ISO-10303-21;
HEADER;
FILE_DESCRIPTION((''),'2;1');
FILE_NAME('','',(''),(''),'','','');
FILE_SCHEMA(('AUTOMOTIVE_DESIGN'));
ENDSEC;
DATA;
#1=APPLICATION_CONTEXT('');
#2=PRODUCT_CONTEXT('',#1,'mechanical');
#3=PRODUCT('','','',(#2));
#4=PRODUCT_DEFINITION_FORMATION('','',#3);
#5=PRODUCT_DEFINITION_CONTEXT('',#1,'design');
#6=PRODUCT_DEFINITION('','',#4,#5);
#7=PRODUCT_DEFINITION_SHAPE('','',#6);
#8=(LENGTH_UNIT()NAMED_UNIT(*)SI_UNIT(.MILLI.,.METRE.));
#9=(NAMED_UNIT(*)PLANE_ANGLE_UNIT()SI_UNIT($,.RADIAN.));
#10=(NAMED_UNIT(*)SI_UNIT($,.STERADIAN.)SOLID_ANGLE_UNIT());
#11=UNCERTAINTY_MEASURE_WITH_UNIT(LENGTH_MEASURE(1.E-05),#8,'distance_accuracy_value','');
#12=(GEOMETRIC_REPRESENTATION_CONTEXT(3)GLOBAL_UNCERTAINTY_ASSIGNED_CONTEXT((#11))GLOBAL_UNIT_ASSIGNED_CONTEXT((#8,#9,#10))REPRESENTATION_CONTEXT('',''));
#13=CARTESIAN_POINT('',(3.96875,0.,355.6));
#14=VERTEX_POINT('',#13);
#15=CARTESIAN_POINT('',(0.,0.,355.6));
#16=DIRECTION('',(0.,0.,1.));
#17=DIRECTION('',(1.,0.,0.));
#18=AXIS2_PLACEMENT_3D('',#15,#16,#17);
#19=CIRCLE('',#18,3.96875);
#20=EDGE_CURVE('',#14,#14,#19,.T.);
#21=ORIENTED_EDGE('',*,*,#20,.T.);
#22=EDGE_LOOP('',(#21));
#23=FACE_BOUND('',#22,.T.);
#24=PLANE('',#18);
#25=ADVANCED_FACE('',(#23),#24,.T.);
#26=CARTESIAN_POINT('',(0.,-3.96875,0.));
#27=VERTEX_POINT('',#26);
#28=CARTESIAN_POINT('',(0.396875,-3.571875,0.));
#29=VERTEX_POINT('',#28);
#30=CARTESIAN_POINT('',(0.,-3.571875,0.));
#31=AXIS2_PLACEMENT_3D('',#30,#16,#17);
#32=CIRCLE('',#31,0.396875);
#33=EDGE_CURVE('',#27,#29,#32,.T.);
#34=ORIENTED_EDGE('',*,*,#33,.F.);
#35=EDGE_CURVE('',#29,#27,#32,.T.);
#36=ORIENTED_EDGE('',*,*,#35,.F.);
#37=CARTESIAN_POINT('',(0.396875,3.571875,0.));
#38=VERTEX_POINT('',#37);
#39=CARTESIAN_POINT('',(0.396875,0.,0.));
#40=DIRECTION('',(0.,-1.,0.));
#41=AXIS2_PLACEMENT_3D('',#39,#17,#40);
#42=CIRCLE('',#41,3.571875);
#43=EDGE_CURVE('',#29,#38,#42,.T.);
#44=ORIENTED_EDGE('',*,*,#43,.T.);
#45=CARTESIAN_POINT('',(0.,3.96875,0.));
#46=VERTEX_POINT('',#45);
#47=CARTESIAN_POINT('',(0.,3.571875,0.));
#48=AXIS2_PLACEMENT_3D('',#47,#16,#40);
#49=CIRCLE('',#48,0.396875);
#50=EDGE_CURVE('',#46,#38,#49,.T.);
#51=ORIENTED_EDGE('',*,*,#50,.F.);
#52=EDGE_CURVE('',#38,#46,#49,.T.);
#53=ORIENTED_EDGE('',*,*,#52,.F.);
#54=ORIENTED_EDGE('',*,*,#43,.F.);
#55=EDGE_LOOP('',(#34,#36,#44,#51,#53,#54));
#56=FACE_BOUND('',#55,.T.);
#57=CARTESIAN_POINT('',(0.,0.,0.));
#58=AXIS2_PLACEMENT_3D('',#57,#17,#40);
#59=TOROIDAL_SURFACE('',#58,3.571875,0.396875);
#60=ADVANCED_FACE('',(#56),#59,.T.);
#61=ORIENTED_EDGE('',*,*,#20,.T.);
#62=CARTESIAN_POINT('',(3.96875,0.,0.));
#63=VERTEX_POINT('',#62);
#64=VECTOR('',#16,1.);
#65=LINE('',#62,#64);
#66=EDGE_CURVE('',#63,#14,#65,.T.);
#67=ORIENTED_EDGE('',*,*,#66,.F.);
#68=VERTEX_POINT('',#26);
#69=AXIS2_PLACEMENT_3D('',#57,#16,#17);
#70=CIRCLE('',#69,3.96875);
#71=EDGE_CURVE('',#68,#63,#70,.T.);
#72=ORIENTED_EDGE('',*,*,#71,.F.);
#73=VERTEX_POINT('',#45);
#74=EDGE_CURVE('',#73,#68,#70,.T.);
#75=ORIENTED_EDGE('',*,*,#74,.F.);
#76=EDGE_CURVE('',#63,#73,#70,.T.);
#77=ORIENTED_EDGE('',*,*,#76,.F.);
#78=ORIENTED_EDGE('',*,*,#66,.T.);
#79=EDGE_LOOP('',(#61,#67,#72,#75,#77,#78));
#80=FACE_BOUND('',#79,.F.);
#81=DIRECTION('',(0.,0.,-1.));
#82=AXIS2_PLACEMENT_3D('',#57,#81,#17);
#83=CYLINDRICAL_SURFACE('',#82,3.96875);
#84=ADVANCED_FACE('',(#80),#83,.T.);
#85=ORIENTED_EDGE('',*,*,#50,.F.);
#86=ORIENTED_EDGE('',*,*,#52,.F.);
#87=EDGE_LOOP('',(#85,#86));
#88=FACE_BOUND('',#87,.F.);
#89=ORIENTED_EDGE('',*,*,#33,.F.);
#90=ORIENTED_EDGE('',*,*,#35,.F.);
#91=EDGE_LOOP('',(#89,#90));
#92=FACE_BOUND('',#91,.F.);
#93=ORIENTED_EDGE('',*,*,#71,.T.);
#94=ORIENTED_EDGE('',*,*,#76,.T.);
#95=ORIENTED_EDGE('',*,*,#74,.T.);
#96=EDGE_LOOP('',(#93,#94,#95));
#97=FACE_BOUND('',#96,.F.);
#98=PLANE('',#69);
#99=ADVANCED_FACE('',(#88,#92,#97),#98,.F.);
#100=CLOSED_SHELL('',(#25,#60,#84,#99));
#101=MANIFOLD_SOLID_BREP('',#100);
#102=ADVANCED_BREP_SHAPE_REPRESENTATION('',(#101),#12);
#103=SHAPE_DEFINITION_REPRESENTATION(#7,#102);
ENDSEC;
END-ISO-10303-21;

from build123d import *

# Parameters (mm, degrees)
F0_R     = 3.96875
F1_DEPTH = 355.6
F2_R     = 0.396875


with BuildPart() as f1:
    # F0 (on Top) → F1 (new body)
    with BuildSketch(Plane.XY):
        Circle(F0_R)
    extrude(amount=F1_DEPTH)

    # F2 (on Top) → F3 (revolve)
    with BuildSketch(Plane.XY):
        with Locations((0, -3.571875)):
            Circle(F2_R)
    revolve(axis=Axis((0.034609, 0, 0), (1, 0, 0)))


solid = f1.part
